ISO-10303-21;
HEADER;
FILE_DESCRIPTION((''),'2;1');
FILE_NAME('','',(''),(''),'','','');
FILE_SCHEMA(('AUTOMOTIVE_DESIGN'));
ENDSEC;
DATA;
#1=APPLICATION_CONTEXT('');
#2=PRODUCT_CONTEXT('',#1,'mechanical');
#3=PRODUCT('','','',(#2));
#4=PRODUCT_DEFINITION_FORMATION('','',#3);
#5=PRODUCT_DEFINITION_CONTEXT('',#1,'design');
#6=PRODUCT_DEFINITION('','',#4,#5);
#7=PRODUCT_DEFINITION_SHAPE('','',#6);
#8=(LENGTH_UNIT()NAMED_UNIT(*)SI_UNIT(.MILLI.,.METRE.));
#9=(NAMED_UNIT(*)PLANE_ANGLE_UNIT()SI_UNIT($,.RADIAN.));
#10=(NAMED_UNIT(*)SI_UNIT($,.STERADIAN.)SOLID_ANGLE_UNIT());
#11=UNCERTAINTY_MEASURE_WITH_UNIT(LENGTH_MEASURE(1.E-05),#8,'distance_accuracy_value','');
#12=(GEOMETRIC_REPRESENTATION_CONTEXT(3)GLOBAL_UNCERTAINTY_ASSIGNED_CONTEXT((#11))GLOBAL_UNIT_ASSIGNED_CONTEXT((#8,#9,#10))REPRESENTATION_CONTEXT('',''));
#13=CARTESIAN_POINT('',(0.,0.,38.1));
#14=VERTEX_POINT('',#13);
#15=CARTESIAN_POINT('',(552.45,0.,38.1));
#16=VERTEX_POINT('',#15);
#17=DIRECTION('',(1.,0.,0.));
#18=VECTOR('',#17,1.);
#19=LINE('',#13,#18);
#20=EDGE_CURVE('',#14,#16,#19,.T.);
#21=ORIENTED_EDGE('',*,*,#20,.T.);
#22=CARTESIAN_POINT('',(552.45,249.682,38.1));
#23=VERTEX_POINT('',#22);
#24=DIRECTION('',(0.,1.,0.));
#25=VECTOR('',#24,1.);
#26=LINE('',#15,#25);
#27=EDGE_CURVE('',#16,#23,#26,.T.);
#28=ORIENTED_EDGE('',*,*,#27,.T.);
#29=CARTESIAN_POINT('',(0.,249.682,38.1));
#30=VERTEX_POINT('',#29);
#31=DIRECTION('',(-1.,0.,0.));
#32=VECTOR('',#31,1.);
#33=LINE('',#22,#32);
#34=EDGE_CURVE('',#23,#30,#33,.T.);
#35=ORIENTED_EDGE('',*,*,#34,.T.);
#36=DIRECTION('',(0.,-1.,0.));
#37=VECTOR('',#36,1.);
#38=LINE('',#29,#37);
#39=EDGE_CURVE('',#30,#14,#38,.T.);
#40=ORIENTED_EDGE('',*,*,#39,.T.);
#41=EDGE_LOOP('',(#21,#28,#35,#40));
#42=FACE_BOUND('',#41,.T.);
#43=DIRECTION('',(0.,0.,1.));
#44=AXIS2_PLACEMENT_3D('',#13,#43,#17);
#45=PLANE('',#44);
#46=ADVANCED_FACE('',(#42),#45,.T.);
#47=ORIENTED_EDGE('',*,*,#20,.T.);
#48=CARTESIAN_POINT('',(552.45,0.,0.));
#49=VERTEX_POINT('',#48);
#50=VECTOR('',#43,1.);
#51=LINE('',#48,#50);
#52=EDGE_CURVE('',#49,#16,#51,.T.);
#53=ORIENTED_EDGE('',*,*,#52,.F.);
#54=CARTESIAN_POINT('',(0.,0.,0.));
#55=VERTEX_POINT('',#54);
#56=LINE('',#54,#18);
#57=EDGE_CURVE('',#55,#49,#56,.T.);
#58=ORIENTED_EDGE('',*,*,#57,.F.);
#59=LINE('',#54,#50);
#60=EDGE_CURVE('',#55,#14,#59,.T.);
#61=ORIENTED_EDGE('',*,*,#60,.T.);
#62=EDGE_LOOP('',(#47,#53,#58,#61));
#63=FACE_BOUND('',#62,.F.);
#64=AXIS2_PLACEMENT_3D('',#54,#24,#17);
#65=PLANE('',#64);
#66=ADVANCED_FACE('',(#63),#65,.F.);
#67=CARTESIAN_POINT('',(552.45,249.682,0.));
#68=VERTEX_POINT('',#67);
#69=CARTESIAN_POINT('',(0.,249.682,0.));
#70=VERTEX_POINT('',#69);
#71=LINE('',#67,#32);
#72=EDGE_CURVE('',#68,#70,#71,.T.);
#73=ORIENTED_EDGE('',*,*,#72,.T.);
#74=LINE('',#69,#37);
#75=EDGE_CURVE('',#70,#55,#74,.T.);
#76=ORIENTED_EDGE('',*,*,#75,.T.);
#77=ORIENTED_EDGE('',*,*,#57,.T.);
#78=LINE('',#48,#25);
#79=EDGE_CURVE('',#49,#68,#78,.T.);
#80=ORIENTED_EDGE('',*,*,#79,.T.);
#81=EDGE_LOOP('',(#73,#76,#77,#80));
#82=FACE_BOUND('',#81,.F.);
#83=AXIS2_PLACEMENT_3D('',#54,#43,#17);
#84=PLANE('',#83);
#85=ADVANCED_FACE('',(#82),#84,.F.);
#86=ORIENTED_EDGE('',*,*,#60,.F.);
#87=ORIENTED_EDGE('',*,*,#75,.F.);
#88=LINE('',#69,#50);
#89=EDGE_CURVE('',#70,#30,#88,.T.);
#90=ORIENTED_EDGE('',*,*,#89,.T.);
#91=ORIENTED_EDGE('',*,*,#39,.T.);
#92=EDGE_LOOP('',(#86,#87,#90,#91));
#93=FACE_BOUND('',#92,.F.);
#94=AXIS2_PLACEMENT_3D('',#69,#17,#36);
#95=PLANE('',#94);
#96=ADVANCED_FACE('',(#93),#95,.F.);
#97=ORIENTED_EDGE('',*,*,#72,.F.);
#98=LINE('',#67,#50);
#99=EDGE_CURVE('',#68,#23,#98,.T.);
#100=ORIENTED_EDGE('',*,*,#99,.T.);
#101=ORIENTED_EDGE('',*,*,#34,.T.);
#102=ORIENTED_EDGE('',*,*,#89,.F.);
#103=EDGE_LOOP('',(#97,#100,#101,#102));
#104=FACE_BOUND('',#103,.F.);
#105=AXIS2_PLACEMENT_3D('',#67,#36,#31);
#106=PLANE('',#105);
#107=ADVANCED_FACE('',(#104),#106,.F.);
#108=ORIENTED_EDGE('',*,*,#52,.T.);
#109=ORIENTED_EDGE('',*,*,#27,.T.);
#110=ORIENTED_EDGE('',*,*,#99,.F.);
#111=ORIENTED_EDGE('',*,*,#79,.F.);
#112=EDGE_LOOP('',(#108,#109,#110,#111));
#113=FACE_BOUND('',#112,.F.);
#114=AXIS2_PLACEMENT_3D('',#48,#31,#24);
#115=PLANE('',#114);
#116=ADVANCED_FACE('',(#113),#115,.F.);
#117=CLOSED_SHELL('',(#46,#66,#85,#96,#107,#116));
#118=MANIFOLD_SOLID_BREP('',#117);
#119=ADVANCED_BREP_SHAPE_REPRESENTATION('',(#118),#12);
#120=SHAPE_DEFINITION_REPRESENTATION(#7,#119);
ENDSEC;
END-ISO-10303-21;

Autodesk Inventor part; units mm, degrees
ref_plane "YZ Plane" through (0, 0, 0) normal (1, 0, 0) x (0, 1, 0)
ref_plane "XZ Plane" through (0, 0, 0) normal (0, 1, 0) x (-1, 0, 0)
ref_plane "XY Plane" through (0, 0, 0) normal (0, 0, 1) x (1, 0, 0)
sketch "Sketch1" plane through (0, 0, 0) normal (0, 0, 1) x (1, 0, 0)
  line L0 (0, 0) -> (552.45, 0)
  line L1 (552.45, 0) -> (552.45, 249.682)
  line L2 (552.45, 249.682) -> (0, 249.682)
  line L3 (0, 249.682) -> (0, 0)
  dimension "d2" = 249.682
  dimension "d3" = 552.45
extrude "Extrusion1" add sketch "Sketch1" along normal blind 38.1
properties part number "Block" material "Wood (Birch)"
